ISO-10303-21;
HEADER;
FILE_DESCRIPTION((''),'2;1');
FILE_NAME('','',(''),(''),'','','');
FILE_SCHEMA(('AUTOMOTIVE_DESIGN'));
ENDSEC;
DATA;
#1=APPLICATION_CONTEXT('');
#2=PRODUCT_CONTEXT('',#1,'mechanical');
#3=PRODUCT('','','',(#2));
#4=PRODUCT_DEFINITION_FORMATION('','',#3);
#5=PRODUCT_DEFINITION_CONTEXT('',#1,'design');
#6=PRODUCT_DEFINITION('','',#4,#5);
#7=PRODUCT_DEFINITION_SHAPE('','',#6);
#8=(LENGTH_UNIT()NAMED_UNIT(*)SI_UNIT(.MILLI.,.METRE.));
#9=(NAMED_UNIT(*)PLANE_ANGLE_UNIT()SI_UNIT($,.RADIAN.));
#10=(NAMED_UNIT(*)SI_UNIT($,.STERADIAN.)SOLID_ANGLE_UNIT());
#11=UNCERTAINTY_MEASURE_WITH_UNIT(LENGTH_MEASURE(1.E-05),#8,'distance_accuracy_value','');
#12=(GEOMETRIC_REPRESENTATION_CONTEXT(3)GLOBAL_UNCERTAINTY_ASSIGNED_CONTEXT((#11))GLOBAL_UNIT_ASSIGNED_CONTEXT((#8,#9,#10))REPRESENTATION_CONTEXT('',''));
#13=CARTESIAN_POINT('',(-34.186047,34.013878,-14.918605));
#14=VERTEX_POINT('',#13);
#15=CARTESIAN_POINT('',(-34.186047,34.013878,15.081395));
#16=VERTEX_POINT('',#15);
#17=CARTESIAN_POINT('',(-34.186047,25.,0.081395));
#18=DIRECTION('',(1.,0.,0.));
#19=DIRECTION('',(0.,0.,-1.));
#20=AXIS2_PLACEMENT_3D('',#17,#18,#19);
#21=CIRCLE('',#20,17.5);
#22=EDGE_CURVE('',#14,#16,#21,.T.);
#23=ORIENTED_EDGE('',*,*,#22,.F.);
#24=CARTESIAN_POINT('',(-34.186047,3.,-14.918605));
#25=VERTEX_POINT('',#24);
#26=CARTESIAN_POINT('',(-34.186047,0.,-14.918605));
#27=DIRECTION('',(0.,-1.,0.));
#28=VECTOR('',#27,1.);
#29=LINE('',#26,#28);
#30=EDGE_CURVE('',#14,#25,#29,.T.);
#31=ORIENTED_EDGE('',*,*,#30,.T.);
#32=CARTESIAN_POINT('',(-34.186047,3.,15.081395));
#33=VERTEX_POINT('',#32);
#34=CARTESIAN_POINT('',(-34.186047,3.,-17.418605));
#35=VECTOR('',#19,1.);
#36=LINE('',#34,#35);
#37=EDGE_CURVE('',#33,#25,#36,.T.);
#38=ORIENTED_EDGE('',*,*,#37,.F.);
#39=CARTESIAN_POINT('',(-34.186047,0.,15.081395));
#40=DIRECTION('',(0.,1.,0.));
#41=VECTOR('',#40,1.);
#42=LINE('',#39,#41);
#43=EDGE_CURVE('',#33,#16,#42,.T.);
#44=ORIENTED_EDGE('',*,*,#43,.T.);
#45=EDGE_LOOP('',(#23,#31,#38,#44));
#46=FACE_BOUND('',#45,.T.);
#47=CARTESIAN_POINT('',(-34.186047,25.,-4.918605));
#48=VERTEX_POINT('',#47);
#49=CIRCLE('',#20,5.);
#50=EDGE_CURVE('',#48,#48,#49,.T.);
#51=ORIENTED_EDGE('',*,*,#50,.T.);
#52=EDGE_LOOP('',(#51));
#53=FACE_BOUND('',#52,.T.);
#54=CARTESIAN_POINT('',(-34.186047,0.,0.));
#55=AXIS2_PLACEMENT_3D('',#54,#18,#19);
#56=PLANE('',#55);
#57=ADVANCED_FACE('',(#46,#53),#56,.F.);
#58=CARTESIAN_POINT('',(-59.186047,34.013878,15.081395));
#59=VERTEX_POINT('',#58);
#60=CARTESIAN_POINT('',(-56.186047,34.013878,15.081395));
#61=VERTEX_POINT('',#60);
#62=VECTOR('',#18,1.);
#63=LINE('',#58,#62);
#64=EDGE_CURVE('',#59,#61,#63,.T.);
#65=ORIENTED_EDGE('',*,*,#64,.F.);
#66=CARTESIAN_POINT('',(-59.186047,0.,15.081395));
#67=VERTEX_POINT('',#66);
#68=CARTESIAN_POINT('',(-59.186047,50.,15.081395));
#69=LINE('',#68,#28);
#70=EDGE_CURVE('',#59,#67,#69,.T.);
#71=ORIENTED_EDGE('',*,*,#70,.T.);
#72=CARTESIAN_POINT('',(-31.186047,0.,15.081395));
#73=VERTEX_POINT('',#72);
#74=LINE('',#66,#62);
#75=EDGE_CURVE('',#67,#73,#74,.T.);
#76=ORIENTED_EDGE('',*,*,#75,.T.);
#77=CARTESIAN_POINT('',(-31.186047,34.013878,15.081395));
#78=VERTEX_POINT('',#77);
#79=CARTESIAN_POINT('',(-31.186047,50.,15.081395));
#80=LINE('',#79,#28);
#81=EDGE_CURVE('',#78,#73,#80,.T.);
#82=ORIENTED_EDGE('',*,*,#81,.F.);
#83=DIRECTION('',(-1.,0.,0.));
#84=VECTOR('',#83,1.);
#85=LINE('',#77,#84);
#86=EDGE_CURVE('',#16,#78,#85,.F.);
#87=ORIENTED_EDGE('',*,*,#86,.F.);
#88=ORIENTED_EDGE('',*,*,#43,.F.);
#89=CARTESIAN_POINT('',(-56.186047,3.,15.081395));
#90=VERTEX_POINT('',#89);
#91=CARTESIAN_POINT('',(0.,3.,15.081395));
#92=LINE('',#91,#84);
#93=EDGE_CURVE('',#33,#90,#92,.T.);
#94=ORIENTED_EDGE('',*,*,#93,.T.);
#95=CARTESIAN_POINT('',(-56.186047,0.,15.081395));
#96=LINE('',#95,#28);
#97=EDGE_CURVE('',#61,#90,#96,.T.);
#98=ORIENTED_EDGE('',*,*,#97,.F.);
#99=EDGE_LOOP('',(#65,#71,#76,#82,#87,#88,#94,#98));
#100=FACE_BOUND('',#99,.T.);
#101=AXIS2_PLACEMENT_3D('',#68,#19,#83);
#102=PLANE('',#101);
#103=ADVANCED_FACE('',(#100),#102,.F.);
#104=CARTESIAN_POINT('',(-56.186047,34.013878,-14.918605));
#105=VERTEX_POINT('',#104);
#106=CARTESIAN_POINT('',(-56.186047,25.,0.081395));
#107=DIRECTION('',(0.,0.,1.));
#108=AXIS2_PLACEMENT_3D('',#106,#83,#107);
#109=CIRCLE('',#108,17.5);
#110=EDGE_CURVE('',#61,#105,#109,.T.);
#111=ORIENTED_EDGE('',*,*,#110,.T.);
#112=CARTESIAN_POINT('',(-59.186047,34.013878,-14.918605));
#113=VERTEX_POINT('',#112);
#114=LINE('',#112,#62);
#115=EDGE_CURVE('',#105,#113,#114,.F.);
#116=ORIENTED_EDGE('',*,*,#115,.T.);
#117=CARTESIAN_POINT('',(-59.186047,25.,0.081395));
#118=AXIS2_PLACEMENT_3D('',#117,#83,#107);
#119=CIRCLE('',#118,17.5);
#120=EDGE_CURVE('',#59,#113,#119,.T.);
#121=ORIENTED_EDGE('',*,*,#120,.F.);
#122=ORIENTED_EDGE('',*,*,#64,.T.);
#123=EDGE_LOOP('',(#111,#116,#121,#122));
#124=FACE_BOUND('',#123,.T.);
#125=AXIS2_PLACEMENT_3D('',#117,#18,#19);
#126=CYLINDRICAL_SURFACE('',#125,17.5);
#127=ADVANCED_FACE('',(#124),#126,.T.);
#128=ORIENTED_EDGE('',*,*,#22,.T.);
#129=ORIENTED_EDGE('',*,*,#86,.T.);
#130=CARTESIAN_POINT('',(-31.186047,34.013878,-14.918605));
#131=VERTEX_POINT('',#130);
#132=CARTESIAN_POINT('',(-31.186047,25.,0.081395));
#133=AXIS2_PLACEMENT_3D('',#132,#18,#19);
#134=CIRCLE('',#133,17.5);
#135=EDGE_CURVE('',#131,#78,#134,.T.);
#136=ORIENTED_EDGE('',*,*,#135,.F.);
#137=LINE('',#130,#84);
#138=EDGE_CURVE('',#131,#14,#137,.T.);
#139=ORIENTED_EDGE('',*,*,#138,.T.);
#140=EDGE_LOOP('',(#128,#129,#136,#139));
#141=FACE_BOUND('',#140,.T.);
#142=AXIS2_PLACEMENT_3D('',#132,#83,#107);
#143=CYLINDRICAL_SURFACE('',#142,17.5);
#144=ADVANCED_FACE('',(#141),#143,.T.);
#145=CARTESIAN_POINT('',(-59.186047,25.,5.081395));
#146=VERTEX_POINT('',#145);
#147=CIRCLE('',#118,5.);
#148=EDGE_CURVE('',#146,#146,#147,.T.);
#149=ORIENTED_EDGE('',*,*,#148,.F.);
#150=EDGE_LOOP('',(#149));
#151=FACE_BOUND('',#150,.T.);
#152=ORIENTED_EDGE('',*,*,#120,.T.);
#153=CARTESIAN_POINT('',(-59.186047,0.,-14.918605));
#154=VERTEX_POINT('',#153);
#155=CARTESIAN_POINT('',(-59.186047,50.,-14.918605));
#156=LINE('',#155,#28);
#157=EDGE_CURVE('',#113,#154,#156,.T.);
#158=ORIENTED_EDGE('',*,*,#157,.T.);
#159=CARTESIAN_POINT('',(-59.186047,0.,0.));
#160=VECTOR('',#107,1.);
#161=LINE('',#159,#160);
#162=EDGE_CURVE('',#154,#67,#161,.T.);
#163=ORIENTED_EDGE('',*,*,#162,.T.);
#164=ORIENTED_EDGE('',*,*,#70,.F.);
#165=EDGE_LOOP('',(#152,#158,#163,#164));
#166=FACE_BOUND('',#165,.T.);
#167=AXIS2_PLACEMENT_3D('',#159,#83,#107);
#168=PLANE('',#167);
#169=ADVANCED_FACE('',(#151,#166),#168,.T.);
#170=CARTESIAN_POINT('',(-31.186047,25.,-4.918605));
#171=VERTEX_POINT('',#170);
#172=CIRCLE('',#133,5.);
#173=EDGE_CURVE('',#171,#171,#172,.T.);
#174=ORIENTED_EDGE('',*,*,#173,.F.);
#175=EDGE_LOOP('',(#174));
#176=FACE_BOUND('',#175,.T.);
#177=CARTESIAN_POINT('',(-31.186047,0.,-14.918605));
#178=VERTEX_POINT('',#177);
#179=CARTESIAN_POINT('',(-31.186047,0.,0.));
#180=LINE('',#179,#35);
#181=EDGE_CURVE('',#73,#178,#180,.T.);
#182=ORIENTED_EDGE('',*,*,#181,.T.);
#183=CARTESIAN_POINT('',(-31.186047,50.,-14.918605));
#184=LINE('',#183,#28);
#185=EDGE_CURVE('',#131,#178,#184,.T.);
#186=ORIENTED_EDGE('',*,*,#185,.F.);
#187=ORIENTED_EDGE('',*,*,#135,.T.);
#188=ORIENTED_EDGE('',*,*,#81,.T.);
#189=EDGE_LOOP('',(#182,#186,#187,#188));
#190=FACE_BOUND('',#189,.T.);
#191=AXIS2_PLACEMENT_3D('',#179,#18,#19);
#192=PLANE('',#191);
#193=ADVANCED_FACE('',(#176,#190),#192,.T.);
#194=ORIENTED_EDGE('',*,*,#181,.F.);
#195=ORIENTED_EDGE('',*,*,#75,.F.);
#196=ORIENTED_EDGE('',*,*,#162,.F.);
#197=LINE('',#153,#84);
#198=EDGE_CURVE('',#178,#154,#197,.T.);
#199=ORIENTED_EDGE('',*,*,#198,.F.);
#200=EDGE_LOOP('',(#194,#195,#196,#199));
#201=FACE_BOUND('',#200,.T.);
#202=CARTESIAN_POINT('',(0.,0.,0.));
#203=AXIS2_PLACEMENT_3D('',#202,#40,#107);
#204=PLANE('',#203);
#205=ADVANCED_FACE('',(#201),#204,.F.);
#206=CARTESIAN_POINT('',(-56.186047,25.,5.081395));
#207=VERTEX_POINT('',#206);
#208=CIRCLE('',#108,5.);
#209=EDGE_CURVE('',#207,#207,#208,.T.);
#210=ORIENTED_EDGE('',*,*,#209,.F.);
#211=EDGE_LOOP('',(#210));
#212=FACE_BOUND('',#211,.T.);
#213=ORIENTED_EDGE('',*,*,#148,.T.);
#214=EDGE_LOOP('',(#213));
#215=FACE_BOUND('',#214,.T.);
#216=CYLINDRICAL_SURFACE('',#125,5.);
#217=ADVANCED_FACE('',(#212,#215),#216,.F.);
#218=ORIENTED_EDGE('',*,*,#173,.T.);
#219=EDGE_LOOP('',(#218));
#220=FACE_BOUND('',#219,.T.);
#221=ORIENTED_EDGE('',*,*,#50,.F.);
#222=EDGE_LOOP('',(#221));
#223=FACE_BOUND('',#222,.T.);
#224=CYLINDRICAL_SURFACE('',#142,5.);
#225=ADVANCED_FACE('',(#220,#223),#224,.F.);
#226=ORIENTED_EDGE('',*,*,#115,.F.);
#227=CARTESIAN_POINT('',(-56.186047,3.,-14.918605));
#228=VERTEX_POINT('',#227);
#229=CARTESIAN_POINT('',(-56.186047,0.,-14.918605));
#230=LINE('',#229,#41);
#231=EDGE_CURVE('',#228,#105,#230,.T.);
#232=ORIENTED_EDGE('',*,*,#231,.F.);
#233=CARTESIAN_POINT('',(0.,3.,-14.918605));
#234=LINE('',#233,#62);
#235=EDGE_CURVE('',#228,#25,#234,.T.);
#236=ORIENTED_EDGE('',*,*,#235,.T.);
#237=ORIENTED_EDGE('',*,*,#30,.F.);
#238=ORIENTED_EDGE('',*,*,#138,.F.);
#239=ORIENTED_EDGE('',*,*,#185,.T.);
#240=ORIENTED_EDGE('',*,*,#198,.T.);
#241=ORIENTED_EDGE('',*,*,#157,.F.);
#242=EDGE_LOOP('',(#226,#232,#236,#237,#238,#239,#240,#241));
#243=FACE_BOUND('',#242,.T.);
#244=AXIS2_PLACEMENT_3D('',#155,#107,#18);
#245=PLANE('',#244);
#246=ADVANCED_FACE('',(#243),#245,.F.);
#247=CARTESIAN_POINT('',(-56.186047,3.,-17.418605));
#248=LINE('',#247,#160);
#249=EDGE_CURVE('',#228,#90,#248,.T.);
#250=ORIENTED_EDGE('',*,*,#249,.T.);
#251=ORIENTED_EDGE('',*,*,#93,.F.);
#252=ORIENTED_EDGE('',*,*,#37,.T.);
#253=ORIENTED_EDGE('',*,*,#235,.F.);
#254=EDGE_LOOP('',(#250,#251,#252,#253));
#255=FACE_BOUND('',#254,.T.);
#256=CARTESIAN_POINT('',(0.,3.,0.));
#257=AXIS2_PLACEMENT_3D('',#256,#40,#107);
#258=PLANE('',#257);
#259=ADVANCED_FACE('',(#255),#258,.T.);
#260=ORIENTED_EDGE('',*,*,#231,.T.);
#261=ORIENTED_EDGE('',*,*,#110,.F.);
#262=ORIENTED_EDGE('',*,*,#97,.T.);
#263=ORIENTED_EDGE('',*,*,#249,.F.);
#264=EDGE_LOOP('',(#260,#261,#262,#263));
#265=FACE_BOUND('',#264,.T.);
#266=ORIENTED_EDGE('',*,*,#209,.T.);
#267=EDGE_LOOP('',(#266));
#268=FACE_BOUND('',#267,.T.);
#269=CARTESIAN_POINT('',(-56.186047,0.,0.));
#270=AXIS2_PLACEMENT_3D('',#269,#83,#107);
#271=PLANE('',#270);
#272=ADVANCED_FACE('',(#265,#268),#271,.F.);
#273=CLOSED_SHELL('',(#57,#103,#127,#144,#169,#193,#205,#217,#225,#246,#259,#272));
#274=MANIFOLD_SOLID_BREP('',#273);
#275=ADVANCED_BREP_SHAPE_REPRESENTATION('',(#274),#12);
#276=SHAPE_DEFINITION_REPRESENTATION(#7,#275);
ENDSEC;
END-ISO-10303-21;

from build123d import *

# Parameters (mm, degrees)
SKETCH1_W           = 22
SKETCH1_H           = 35
BOSS_EXTRUDE1_DEPTH = 3
SKETCH2_W           = 35
SKETCH2_H           = 3
BOSS_EXTRUDE6_DEPTH = 3
BOSS_EXTRUDE7_START = 3
SKETCH4_W           = 35
SKETCH4_H           = 3
BOSS_EXTRUDE7_DEPTH = 3
SKETCH5_W           = 28
SKETCH5_H           = 2.5
CUT_EXTRUDE1_DEPTH  = 50


with BuildPart() as part:
    # Sketch1 → Boss-Extrude1 (new body)
    with BuildSketch(Plane(origin=(0, 0, 0), x_dir=(1, 0, 0), z_dir=(0, 1, 0))):
        with Locations((-45.186046512, -0.081395349)):
            Rectangle(SKETCH1_W, SKETCH1_H)
    extrude(amount=BOSS_EXTRUDE1_DEPTH)

    # Sketch2 → Boss-Extrude6 (add)
    with BuildSketch(Plane(origin=(-34.186046512, 0, 0), x_dir=(0, 0, -1), z_dir=(1, 0, 0))):
        with BuildLine():
            ThreePointArc((17.418604651, 25), (-0.081395349, 42.5), (-17.581395349, 25))
            Line((-17.581395349, 25), (-5.081395349, 25))
            ThreePointArc((-5.081395349, 25), (-0.081395349, 30), (4.918604651, 25))
            Line((4.918604651, 25), (17.418604651, 25))
        make_face()
        with BuildLine():
            Line((-5.081395349, 25), (-17.581395349, 25))
            ThreePointArc((-17.581395349, 25), (-0.081395349, 7.5), (17.418604651, 25))
            Line((17.418604651, 25), (4.918604651, 25))
            ThreePointArc((4.918604651, 25), (-0.081395349, 20), (-5.081395349, 25))
        make_face()
        with BuildLine():
            Line((-17.581395349, 25), (-17.581395349, 3))
            Line((-17.581395349, 3), (17.418604651, 3))
            Line((17.418604651, 3), (17.418604651, 25))
            ThreePointArc((17.418604651, 25), (-0.081395349, 7.5), (-17.581395349, 25))
        make_face()
        with Locations((-0.081395349, 1.5)):
            Rectangle(SKETCH2_W, SKETCH2_H)
    extrude(amount=BOSS_EXTRUDE6_DEPTH)

    # Sketch4 → Boss-Extrude7 (add)
    with BuildSketch(Plane.ZY.offset(56.186046512).offset(BOSS_EXTRUDE7_START)):
        with BuildLine():
            ThreePointArc((17.581395349, 25), (0.081395349, 42.5), (-17.418604651, 25))
            Line((-17.418604651, 25), (-4.918604651, 25))
            ThreePointArc((-4.918604651, 25), (0.081395349, 30), (5.081395349, 25))
            Line((5.081395349, 25), (17.581395349, 25))
        make_face()
        with BuildLine():
            Line((-4.918604651, 25), (-17.418604651, 25))
            ThreePointArc((-17.418604651, 25), (0.081395349, 7.5), (17.581395349, 25))
            Line((17.581395349, 25), (5.081395349, 25))
            ThreePointArc((5.081395349, 25), (0.081395349, 20), (-4.918604651, 25))
        make_face()
        with BuildLine():
            Line((-17.418604651, 25), (-17.418604651, 3))
            Line((-17.418604651, 3), (17.581395349, 3))
            Line((17.581395349, 3), (17.581395349, 25))
            ThreePointArc((17.581395349, 25), (0.081395349, 7.5), (-17.418604651, 25))
        make_face()
        with Locations((0.081395349, 1.5)):
            Rectangle(SKETCH4_W, SKETCH4_H)
    extrude(amount=-BOSS_EXTRUDE7_DEPTH)

    # Sketch5 → Cut-Extrude1 (cut)
    with BuildSketch(Plane.XZ):
        with Locations((-45.186046512, 16.331395349)):
            Rectangle(SKETCH5_W, SKETCH5_H)
        with Locations((-45.186046512, -16.168604651)):
            Rectangle(SKETCH5_W, SKETCH5_H)
    extrude(amount=-CUT_EXTRUDE1_DEPTH, mode=Mode.SUBTRACT)


solid = part.part
